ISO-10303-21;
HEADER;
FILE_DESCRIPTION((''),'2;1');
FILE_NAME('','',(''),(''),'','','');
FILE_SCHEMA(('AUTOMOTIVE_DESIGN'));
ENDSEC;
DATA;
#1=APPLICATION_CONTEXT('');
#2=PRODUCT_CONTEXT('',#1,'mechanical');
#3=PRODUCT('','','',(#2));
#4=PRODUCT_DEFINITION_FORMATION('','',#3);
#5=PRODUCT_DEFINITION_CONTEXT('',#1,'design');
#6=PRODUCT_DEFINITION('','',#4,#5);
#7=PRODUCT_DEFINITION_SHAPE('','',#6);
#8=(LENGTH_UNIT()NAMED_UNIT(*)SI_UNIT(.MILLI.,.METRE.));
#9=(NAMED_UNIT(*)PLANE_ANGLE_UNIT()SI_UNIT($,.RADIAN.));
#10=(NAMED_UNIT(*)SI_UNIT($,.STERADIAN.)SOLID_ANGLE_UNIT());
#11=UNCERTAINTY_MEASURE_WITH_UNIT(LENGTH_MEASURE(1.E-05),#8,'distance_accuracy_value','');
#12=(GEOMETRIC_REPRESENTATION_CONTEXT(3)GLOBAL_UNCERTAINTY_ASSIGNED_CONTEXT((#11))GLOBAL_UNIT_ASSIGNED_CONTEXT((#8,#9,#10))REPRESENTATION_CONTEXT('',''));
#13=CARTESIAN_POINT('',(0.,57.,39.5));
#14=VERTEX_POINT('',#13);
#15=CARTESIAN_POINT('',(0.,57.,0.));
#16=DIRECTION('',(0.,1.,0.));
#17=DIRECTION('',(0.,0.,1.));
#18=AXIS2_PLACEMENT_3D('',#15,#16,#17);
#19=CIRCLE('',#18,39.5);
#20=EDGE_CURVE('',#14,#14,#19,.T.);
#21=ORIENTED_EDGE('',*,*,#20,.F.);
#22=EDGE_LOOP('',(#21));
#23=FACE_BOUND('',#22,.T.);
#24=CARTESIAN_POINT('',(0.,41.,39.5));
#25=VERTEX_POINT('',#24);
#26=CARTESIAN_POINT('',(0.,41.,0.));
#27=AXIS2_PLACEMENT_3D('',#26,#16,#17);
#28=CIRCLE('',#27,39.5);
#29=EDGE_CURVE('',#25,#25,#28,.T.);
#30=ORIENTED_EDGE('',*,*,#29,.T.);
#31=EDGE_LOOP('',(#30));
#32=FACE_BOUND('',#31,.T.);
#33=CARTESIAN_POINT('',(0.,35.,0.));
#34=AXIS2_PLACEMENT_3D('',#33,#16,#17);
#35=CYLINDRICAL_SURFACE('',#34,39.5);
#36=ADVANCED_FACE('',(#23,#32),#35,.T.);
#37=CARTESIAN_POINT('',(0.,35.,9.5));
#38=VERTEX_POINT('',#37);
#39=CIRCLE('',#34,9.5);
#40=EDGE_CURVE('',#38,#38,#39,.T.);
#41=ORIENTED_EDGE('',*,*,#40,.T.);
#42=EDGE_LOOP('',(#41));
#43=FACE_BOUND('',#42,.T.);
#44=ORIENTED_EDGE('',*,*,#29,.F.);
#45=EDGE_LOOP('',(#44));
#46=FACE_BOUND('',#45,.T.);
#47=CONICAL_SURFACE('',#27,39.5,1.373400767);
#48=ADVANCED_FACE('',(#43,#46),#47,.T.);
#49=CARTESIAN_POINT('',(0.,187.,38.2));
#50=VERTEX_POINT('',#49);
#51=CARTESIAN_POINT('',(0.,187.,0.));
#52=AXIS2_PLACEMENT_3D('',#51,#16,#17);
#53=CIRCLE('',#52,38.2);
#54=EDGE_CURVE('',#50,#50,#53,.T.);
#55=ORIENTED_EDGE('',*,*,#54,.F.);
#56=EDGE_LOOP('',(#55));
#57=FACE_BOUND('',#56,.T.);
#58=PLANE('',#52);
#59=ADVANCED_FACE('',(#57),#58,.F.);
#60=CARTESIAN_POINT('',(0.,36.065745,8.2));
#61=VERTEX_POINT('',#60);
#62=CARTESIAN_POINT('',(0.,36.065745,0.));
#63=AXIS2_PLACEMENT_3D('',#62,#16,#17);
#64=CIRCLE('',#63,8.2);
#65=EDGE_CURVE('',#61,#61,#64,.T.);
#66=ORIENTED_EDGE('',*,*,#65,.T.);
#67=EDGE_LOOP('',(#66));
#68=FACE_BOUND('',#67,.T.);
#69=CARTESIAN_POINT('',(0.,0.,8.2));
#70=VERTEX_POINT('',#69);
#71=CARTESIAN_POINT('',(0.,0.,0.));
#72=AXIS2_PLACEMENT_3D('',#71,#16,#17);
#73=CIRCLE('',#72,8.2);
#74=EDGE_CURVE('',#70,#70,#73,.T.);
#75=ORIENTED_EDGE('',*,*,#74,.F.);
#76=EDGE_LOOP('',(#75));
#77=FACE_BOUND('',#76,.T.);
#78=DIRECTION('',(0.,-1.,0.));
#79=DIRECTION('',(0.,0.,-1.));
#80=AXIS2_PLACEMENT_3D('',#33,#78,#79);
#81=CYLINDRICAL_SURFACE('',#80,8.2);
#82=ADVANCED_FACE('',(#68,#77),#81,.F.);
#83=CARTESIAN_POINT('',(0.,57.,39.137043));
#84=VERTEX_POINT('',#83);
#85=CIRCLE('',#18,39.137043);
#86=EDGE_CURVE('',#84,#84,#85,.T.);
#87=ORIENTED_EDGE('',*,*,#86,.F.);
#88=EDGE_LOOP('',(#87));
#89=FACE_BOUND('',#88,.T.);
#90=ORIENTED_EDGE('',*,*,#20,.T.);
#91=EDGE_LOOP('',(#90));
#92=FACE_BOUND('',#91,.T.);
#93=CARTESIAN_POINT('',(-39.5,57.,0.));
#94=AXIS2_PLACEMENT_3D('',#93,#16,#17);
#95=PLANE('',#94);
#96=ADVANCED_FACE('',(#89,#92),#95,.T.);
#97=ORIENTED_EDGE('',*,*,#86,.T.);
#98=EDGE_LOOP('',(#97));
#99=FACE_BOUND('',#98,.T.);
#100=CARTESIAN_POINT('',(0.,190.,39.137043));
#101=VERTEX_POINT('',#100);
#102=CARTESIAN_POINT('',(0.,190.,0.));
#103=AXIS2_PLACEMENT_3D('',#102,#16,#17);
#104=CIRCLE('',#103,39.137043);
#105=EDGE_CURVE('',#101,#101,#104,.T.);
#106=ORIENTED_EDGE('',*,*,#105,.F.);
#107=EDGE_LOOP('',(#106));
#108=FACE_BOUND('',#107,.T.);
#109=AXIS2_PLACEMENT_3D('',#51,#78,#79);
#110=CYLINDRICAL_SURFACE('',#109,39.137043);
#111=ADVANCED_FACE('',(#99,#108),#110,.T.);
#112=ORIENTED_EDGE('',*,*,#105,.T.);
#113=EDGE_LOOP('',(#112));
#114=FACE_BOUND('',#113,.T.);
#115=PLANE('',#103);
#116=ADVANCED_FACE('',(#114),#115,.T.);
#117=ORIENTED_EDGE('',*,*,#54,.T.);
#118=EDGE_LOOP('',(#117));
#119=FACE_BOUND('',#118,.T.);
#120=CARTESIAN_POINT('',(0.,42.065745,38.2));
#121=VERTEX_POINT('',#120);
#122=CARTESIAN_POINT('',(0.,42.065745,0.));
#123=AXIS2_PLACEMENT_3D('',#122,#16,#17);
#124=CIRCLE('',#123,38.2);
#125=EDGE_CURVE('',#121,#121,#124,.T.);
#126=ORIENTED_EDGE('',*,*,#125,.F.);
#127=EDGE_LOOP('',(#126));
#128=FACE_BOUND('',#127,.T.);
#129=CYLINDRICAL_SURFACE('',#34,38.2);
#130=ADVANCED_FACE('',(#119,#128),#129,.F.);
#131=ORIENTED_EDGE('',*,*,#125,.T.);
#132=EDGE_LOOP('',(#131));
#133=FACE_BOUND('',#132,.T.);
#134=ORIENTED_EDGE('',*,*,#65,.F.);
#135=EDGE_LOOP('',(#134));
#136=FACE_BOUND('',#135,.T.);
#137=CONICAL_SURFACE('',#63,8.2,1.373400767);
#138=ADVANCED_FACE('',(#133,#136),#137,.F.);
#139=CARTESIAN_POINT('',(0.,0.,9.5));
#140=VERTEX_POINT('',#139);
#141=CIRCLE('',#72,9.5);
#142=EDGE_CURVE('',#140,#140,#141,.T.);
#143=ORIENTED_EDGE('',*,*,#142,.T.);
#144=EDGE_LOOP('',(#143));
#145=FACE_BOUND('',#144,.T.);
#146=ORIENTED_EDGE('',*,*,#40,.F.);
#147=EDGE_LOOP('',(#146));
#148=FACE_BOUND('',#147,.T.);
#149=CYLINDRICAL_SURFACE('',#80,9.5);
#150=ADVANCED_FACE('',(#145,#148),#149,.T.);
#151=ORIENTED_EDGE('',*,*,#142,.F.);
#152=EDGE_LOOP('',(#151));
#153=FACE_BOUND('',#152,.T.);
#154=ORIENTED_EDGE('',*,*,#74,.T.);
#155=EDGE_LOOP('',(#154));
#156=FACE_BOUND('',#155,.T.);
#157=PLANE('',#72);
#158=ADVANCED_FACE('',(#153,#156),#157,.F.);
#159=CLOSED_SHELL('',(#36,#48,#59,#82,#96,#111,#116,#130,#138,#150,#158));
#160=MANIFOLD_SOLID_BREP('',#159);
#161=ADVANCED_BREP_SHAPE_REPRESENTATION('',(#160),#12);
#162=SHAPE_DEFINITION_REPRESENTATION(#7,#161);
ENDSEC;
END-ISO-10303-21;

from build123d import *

# Parameters (mm, degrees)
CROQUIS1_R              = 9.5
CROQUIS1_R_2            = 8.2
SALIENTE_EXTRUIR1_DEPTH = 35
CROQUIS3_R              = 39.137042658
CROQUIS3_R_2            = 38.2
SALIENTE_EXTRUIR2_DEPTH = 130
CROQUIS4_R              = 39.137042658
SALIENTE_EXTRUIR3_DEPTH = 3


with BuildPart() as part:
    # Croquis1 → Saliente-Extruir1 (new body)
    with BuildSketch(Plane(origin=(0, 0, 0), x_dir=(1, 0, 0), z_dir=(0, 1, 0))):
        Circle(CROQUIS1_R)
        Circle(CROQUIS1_R_2, mode=Mode.SUBTRACT)
    extrude(amount=SALIENTE_EXTRUIR1_DEPTH)

    # Croquis2 → Revolución1 (revolve)
    with BuildSketch(Plane.XY):
        Polygon((-9.5, 35), (-39.5, 41), (-39.5, 57), (-38.2, 57), (-38.2, 42.065745074), (-8.2, 36.065745074), (-8.2, 35), align=None)
    revolve(axis=Axis((0, 35, 0), (0, -1, 0)))

    # Croquis3 → Saliente-Extruir2 (add)
    with BuildSketch(Plane(origin=(0, 57, 0), x_dir=(1, 0, 0), z_dir=(0, 1, 0))):
        Circle(CROQUIS3_R)
        Circle(CROQUIS3_R_2, mode=Mode.SUBTRACT)
    extrude(amount=SALIENTE_EXTRUIR2_DEPTH)

    # Croquis4 → Saliente-Extruir3 (add)
    with BuildSketch(Plane(origin=(0, 187, 0), x_dir=(1, 0, 0), z_dir=(0, 1, 0))):
        Circle(CROQUIS4_R)
    extrude(amount=SALIENTE_EXTRUIR3_DEPTH)


solid = part.part
